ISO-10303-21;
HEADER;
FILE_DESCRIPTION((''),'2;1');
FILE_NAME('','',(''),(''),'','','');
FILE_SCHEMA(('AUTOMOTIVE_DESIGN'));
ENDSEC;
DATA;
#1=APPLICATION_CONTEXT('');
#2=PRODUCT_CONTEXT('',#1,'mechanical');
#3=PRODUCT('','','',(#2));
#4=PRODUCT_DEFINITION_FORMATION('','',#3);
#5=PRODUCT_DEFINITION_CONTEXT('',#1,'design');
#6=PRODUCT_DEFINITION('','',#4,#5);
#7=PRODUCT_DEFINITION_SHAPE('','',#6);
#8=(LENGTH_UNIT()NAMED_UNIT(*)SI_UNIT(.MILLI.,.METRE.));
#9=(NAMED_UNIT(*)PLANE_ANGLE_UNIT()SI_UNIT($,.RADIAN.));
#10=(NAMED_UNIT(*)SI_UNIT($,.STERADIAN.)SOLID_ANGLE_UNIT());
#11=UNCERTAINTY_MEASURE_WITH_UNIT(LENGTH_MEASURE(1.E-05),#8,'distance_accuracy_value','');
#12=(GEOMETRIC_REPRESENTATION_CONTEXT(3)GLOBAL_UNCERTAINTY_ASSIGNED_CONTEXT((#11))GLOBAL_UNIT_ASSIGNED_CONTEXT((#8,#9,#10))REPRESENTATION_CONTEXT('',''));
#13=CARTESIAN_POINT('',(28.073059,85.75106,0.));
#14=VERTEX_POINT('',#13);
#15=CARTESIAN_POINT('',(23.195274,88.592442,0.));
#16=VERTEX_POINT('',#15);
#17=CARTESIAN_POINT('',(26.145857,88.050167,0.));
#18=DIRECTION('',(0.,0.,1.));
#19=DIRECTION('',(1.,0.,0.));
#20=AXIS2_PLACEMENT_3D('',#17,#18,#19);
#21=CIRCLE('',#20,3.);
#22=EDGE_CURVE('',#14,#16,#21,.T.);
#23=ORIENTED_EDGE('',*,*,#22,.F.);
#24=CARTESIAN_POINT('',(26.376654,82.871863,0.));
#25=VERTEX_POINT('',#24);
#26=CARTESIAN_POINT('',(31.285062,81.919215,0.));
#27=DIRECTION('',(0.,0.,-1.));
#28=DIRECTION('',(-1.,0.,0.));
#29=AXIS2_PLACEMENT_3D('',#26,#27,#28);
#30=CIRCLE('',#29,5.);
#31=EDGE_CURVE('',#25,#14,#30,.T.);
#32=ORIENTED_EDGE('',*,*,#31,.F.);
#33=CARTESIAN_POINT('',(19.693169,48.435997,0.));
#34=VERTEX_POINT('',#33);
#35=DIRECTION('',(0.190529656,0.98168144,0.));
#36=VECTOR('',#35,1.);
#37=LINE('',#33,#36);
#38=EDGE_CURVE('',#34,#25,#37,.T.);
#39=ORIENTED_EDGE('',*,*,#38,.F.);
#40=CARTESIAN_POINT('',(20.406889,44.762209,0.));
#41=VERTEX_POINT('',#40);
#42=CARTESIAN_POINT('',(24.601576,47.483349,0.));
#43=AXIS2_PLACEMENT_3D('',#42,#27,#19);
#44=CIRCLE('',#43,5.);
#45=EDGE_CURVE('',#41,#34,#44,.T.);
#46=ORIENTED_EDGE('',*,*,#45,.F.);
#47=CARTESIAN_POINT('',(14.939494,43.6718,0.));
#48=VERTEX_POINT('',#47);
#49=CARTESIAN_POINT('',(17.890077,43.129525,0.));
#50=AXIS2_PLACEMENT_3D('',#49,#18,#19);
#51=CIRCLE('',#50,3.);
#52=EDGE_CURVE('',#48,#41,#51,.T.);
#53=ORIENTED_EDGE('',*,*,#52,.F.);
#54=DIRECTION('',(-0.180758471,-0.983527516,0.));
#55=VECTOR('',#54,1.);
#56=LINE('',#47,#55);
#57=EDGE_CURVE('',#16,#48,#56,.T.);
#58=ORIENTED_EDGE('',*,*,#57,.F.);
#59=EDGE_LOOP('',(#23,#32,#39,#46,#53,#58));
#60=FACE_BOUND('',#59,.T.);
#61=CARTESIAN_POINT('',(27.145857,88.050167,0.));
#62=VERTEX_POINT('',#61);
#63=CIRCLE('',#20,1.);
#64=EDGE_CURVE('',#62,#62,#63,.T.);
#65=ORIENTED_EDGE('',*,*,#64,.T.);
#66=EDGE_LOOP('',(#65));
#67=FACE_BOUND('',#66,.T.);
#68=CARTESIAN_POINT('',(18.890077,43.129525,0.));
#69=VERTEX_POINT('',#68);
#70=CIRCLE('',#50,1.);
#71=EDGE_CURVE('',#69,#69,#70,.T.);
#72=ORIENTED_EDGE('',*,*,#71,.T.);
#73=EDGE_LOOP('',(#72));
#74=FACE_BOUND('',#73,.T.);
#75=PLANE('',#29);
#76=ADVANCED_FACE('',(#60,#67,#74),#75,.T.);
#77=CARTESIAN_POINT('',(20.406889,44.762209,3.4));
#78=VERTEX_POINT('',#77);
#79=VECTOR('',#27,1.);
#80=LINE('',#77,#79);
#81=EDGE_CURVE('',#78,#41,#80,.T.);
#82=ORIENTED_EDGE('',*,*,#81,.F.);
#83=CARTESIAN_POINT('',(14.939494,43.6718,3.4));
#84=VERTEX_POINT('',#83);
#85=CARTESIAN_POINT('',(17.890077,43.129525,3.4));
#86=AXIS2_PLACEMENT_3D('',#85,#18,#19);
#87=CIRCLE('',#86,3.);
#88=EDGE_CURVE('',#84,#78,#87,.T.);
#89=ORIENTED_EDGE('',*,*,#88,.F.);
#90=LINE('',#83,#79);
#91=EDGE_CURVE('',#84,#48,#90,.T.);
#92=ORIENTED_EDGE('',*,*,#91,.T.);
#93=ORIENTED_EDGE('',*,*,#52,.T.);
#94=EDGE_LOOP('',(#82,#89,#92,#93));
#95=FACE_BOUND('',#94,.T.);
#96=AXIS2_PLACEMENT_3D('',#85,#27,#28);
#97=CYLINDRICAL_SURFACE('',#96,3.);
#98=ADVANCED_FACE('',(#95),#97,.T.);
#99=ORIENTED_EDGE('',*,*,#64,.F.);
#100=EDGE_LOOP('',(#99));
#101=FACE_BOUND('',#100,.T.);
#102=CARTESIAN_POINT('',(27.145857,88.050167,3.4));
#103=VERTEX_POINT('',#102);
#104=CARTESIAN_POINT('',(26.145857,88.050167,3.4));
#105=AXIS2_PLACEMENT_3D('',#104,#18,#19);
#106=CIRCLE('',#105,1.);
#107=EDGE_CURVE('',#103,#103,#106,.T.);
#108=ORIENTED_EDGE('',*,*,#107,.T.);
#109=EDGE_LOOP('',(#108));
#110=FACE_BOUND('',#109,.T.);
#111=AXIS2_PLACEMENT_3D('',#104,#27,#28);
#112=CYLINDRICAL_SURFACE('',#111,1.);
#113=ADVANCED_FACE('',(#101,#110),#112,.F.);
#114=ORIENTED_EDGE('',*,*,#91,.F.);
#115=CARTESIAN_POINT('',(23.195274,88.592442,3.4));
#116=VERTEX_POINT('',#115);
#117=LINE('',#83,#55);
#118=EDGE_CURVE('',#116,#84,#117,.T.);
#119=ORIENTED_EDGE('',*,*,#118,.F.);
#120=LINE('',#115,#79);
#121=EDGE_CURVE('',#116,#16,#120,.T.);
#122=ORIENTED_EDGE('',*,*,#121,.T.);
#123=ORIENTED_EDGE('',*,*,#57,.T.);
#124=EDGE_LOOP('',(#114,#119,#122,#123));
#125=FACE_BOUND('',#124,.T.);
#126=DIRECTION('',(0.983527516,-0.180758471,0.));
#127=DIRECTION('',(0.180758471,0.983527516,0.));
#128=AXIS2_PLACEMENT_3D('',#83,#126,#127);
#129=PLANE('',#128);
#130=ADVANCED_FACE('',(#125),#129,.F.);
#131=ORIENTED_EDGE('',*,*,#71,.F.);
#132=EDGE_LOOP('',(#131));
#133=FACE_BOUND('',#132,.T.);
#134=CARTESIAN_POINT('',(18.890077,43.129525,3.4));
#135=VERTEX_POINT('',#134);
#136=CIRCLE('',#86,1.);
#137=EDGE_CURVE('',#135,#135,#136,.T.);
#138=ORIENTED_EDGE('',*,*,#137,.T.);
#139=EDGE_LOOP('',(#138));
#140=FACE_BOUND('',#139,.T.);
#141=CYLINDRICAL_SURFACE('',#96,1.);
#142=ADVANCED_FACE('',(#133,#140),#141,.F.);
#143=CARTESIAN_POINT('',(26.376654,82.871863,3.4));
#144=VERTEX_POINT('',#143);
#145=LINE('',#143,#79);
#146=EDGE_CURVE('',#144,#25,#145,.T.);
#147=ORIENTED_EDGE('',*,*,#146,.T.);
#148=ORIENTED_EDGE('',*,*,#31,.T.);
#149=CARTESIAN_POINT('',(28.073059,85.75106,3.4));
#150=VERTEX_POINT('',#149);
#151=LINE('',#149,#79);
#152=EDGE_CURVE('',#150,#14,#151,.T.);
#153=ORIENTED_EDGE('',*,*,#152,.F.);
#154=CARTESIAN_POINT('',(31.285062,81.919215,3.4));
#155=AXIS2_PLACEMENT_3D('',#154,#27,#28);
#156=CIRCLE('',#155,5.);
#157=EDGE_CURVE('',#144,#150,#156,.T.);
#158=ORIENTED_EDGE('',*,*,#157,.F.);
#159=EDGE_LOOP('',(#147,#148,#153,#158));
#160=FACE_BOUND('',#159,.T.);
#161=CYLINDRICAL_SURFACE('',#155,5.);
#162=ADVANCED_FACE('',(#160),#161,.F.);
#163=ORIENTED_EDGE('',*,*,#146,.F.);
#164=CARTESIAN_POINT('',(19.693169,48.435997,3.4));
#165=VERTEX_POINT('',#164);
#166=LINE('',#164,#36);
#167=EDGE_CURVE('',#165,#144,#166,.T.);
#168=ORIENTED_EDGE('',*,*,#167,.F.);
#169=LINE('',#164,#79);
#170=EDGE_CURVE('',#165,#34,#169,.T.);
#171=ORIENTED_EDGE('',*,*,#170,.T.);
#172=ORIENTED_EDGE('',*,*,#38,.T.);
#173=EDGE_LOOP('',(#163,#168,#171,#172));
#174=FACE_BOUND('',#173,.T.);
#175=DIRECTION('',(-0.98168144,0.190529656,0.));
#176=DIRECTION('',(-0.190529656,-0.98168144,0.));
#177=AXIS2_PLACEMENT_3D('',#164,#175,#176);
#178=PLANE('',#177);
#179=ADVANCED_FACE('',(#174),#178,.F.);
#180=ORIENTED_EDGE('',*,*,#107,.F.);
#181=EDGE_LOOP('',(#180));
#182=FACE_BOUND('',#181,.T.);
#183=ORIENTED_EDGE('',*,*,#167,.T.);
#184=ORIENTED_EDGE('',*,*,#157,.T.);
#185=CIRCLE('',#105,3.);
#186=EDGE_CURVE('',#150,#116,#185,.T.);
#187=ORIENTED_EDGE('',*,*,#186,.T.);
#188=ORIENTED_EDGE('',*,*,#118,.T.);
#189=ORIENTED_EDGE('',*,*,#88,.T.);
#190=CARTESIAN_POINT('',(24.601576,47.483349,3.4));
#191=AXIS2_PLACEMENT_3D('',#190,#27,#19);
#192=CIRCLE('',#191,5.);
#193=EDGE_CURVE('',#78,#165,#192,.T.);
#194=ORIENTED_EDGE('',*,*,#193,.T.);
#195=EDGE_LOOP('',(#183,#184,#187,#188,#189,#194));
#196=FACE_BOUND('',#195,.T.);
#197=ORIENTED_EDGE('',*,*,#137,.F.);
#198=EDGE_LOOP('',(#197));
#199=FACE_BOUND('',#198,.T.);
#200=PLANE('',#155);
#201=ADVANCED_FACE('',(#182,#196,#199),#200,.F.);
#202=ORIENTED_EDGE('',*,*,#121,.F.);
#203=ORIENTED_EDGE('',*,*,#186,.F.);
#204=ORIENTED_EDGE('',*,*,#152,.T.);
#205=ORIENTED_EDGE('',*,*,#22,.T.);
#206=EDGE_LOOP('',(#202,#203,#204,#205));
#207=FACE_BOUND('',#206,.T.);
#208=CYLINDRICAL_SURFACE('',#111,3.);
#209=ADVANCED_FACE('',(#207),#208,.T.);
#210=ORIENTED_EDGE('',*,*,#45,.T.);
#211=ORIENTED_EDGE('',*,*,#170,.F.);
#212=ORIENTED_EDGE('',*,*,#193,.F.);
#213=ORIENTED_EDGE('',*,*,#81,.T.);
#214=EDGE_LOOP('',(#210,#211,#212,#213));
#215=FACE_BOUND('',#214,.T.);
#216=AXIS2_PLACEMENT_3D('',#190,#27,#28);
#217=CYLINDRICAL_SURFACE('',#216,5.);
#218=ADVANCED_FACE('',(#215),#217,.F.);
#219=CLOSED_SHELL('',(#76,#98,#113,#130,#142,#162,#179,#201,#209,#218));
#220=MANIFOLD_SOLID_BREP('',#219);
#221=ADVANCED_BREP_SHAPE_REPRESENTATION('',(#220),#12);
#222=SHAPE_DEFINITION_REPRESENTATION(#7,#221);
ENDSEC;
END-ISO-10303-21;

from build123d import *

# Parameters (mm, degrees)
SKETCH7_R           = 1
BOSS_EXTRUDE2_DEPTH = 3.4


with BuildPart() as part:
    # Sketch7 → Boss-Extrude2 (new body)
    with BuildSketch(Plane.XY):
        with BuildLine():
            Line((14.939494353, 43.671800322), (23.195274145, 88.592442488))
            ThreePointArc((23.195274145, 88.592442488), (27.655886689, 90.642426594), (28.073058509, 85.75106004))
            ThreePointArc((28.073058509, 85.75106004), (26.977195581, 84.457381822), (26.376654335, 82.871863263))
            Line((26.376654335, 82.871863263), (19.693168718, 48.435996906))
            ThreePointArc((19.693168718, 48.435996906), (19.693341996, 46.529807983), (20.406889033, 44.762208802))
            ThreePointArc((20.406889033, 44.762208802), (18.476836527, 40.187465572), (14.939494353, 43.671800322))
        make_face()
        with Locations((17.890076902, 43.129524909)):
            Circle(SKETCH7_R, mode=Mode.SUBTRACT)
        with Locations((26.145856694, 88.050167075)):
            Circle(SKETCH7_R, mode=Mode.SUBTRACT)
    extrude(amount=BOSS_EXTRUDE2_DEPTH)


solid = part.part
